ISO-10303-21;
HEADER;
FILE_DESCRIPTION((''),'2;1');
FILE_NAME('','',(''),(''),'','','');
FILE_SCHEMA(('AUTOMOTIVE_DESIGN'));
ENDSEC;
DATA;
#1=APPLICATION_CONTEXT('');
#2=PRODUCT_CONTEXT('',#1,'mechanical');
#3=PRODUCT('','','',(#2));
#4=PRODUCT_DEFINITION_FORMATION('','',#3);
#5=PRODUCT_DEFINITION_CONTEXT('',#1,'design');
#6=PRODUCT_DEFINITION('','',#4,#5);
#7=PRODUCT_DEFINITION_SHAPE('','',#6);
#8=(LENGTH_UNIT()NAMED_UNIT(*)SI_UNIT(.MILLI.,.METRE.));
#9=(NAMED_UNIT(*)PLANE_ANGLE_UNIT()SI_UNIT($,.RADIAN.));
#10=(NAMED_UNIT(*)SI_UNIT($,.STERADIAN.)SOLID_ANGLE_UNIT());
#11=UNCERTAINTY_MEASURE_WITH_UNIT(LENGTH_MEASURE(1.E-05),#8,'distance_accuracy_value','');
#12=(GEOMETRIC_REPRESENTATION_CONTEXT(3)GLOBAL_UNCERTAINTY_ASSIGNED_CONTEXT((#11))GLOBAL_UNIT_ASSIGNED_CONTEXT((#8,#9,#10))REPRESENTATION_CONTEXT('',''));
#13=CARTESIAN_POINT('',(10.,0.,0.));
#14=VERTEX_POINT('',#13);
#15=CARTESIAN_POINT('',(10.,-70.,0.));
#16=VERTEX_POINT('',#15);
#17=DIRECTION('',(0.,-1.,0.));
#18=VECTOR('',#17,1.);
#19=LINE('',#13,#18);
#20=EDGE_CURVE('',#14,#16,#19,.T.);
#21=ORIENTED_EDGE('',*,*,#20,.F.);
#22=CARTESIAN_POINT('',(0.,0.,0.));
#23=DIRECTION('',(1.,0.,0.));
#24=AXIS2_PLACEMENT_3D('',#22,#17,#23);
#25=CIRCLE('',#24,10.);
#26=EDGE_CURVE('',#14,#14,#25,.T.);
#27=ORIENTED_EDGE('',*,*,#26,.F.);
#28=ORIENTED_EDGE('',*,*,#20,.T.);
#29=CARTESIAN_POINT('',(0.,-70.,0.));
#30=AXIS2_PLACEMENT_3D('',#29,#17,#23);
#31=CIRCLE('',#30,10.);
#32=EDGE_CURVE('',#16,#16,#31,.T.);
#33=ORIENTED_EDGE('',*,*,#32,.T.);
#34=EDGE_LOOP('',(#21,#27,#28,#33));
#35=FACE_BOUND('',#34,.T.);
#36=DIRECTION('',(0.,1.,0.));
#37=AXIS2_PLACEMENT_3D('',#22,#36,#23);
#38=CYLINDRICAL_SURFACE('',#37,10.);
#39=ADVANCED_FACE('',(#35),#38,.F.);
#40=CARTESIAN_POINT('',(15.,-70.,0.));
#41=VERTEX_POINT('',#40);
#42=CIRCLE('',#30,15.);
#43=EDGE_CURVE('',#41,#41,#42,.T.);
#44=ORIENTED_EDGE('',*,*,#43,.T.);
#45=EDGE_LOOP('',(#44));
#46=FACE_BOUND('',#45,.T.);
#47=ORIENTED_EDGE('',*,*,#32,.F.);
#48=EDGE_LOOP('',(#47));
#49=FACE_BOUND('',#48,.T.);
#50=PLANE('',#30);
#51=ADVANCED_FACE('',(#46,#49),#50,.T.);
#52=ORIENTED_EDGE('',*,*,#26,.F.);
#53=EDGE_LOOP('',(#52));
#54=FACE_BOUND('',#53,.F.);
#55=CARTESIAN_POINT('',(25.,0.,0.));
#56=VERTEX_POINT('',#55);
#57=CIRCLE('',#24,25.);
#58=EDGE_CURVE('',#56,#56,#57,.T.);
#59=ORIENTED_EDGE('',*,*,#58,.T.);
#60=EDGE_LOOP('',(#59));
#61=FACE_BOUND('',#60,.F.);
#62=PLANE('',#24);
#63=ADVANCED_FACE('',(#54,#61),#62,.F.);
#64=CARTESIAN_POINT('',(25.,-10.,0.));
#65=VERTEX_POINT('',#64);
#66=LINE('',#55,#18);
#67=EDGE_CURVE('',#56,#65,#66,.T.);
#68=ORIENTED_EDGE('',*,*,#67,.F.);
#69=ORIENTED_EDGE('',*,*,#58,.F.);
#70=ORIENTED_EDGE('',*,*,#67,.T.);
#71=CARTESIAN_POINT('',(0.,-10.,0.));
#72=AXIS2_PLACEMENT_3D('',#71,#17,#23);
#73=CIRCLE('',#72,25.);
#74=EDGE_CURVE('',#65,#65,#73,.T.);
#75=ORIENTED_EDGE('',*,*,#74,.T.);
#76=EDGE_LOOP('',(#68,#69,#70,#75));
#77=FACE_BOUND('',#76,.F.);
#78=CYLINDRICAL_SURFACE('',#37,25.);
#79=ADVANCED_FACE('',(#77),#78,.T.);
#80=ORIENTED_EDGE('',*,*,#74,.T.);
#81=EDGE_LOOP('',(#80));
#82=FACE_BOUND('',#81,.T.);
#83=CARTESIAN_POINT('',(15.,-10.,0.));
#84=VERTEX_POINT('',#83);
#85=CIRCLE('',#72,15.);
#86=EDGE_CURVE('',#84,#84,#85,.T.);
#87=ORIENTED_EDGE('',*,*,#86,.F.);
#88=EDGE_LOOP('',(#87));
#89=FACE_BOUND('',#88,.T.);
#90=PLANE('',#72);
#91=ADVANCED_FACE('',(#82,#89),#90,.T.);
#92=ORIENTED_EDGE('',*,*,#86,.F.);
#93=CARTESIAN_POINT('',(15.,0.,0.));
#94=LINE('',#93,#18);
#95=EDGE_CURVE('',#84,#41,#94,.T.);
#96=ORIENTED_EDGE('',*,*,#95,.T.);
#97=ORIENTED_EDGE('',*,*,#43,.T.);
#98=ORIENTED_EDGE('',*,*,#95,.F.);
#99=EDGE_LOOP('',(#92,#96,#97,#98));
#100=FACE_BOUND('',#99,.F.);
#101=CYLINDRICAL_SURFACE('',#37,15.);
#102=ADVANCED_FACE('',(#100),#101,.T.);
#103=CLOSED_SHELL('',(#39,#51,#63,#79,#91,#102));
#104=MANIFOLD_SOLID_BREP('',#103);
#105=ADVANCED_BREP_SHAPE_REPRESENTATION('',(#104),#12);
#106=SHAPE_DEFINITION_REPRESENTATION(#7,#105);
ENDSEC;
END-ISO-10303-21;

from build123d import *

# Parameters (mm, degrees)
F1_R     = 25
F1_R_2   = 15
F2_DEPTH = 10
F0_R     = 15
F0_R_2   = 10
F3_DEPTH = 70


with BuildPart() as f2:
    # F1 (on face) → F2 (new body)
    with BuildSketch(Plane.XZ):
        Circle(F1_R)
        Circle(F1_R_2, mode=Mode.SUBTRACT)
    extrude(amount=F2_DEPTH)

    # F0 (on Front) → F3 (join)
    with BuildSketch(Plane.XZ):
        Circle(F0_R)
        Circle(F0_R_2, mode=Mode.SUBTRACT)
    extrude(amount=F3_DEPTH)


solid = f2.part
